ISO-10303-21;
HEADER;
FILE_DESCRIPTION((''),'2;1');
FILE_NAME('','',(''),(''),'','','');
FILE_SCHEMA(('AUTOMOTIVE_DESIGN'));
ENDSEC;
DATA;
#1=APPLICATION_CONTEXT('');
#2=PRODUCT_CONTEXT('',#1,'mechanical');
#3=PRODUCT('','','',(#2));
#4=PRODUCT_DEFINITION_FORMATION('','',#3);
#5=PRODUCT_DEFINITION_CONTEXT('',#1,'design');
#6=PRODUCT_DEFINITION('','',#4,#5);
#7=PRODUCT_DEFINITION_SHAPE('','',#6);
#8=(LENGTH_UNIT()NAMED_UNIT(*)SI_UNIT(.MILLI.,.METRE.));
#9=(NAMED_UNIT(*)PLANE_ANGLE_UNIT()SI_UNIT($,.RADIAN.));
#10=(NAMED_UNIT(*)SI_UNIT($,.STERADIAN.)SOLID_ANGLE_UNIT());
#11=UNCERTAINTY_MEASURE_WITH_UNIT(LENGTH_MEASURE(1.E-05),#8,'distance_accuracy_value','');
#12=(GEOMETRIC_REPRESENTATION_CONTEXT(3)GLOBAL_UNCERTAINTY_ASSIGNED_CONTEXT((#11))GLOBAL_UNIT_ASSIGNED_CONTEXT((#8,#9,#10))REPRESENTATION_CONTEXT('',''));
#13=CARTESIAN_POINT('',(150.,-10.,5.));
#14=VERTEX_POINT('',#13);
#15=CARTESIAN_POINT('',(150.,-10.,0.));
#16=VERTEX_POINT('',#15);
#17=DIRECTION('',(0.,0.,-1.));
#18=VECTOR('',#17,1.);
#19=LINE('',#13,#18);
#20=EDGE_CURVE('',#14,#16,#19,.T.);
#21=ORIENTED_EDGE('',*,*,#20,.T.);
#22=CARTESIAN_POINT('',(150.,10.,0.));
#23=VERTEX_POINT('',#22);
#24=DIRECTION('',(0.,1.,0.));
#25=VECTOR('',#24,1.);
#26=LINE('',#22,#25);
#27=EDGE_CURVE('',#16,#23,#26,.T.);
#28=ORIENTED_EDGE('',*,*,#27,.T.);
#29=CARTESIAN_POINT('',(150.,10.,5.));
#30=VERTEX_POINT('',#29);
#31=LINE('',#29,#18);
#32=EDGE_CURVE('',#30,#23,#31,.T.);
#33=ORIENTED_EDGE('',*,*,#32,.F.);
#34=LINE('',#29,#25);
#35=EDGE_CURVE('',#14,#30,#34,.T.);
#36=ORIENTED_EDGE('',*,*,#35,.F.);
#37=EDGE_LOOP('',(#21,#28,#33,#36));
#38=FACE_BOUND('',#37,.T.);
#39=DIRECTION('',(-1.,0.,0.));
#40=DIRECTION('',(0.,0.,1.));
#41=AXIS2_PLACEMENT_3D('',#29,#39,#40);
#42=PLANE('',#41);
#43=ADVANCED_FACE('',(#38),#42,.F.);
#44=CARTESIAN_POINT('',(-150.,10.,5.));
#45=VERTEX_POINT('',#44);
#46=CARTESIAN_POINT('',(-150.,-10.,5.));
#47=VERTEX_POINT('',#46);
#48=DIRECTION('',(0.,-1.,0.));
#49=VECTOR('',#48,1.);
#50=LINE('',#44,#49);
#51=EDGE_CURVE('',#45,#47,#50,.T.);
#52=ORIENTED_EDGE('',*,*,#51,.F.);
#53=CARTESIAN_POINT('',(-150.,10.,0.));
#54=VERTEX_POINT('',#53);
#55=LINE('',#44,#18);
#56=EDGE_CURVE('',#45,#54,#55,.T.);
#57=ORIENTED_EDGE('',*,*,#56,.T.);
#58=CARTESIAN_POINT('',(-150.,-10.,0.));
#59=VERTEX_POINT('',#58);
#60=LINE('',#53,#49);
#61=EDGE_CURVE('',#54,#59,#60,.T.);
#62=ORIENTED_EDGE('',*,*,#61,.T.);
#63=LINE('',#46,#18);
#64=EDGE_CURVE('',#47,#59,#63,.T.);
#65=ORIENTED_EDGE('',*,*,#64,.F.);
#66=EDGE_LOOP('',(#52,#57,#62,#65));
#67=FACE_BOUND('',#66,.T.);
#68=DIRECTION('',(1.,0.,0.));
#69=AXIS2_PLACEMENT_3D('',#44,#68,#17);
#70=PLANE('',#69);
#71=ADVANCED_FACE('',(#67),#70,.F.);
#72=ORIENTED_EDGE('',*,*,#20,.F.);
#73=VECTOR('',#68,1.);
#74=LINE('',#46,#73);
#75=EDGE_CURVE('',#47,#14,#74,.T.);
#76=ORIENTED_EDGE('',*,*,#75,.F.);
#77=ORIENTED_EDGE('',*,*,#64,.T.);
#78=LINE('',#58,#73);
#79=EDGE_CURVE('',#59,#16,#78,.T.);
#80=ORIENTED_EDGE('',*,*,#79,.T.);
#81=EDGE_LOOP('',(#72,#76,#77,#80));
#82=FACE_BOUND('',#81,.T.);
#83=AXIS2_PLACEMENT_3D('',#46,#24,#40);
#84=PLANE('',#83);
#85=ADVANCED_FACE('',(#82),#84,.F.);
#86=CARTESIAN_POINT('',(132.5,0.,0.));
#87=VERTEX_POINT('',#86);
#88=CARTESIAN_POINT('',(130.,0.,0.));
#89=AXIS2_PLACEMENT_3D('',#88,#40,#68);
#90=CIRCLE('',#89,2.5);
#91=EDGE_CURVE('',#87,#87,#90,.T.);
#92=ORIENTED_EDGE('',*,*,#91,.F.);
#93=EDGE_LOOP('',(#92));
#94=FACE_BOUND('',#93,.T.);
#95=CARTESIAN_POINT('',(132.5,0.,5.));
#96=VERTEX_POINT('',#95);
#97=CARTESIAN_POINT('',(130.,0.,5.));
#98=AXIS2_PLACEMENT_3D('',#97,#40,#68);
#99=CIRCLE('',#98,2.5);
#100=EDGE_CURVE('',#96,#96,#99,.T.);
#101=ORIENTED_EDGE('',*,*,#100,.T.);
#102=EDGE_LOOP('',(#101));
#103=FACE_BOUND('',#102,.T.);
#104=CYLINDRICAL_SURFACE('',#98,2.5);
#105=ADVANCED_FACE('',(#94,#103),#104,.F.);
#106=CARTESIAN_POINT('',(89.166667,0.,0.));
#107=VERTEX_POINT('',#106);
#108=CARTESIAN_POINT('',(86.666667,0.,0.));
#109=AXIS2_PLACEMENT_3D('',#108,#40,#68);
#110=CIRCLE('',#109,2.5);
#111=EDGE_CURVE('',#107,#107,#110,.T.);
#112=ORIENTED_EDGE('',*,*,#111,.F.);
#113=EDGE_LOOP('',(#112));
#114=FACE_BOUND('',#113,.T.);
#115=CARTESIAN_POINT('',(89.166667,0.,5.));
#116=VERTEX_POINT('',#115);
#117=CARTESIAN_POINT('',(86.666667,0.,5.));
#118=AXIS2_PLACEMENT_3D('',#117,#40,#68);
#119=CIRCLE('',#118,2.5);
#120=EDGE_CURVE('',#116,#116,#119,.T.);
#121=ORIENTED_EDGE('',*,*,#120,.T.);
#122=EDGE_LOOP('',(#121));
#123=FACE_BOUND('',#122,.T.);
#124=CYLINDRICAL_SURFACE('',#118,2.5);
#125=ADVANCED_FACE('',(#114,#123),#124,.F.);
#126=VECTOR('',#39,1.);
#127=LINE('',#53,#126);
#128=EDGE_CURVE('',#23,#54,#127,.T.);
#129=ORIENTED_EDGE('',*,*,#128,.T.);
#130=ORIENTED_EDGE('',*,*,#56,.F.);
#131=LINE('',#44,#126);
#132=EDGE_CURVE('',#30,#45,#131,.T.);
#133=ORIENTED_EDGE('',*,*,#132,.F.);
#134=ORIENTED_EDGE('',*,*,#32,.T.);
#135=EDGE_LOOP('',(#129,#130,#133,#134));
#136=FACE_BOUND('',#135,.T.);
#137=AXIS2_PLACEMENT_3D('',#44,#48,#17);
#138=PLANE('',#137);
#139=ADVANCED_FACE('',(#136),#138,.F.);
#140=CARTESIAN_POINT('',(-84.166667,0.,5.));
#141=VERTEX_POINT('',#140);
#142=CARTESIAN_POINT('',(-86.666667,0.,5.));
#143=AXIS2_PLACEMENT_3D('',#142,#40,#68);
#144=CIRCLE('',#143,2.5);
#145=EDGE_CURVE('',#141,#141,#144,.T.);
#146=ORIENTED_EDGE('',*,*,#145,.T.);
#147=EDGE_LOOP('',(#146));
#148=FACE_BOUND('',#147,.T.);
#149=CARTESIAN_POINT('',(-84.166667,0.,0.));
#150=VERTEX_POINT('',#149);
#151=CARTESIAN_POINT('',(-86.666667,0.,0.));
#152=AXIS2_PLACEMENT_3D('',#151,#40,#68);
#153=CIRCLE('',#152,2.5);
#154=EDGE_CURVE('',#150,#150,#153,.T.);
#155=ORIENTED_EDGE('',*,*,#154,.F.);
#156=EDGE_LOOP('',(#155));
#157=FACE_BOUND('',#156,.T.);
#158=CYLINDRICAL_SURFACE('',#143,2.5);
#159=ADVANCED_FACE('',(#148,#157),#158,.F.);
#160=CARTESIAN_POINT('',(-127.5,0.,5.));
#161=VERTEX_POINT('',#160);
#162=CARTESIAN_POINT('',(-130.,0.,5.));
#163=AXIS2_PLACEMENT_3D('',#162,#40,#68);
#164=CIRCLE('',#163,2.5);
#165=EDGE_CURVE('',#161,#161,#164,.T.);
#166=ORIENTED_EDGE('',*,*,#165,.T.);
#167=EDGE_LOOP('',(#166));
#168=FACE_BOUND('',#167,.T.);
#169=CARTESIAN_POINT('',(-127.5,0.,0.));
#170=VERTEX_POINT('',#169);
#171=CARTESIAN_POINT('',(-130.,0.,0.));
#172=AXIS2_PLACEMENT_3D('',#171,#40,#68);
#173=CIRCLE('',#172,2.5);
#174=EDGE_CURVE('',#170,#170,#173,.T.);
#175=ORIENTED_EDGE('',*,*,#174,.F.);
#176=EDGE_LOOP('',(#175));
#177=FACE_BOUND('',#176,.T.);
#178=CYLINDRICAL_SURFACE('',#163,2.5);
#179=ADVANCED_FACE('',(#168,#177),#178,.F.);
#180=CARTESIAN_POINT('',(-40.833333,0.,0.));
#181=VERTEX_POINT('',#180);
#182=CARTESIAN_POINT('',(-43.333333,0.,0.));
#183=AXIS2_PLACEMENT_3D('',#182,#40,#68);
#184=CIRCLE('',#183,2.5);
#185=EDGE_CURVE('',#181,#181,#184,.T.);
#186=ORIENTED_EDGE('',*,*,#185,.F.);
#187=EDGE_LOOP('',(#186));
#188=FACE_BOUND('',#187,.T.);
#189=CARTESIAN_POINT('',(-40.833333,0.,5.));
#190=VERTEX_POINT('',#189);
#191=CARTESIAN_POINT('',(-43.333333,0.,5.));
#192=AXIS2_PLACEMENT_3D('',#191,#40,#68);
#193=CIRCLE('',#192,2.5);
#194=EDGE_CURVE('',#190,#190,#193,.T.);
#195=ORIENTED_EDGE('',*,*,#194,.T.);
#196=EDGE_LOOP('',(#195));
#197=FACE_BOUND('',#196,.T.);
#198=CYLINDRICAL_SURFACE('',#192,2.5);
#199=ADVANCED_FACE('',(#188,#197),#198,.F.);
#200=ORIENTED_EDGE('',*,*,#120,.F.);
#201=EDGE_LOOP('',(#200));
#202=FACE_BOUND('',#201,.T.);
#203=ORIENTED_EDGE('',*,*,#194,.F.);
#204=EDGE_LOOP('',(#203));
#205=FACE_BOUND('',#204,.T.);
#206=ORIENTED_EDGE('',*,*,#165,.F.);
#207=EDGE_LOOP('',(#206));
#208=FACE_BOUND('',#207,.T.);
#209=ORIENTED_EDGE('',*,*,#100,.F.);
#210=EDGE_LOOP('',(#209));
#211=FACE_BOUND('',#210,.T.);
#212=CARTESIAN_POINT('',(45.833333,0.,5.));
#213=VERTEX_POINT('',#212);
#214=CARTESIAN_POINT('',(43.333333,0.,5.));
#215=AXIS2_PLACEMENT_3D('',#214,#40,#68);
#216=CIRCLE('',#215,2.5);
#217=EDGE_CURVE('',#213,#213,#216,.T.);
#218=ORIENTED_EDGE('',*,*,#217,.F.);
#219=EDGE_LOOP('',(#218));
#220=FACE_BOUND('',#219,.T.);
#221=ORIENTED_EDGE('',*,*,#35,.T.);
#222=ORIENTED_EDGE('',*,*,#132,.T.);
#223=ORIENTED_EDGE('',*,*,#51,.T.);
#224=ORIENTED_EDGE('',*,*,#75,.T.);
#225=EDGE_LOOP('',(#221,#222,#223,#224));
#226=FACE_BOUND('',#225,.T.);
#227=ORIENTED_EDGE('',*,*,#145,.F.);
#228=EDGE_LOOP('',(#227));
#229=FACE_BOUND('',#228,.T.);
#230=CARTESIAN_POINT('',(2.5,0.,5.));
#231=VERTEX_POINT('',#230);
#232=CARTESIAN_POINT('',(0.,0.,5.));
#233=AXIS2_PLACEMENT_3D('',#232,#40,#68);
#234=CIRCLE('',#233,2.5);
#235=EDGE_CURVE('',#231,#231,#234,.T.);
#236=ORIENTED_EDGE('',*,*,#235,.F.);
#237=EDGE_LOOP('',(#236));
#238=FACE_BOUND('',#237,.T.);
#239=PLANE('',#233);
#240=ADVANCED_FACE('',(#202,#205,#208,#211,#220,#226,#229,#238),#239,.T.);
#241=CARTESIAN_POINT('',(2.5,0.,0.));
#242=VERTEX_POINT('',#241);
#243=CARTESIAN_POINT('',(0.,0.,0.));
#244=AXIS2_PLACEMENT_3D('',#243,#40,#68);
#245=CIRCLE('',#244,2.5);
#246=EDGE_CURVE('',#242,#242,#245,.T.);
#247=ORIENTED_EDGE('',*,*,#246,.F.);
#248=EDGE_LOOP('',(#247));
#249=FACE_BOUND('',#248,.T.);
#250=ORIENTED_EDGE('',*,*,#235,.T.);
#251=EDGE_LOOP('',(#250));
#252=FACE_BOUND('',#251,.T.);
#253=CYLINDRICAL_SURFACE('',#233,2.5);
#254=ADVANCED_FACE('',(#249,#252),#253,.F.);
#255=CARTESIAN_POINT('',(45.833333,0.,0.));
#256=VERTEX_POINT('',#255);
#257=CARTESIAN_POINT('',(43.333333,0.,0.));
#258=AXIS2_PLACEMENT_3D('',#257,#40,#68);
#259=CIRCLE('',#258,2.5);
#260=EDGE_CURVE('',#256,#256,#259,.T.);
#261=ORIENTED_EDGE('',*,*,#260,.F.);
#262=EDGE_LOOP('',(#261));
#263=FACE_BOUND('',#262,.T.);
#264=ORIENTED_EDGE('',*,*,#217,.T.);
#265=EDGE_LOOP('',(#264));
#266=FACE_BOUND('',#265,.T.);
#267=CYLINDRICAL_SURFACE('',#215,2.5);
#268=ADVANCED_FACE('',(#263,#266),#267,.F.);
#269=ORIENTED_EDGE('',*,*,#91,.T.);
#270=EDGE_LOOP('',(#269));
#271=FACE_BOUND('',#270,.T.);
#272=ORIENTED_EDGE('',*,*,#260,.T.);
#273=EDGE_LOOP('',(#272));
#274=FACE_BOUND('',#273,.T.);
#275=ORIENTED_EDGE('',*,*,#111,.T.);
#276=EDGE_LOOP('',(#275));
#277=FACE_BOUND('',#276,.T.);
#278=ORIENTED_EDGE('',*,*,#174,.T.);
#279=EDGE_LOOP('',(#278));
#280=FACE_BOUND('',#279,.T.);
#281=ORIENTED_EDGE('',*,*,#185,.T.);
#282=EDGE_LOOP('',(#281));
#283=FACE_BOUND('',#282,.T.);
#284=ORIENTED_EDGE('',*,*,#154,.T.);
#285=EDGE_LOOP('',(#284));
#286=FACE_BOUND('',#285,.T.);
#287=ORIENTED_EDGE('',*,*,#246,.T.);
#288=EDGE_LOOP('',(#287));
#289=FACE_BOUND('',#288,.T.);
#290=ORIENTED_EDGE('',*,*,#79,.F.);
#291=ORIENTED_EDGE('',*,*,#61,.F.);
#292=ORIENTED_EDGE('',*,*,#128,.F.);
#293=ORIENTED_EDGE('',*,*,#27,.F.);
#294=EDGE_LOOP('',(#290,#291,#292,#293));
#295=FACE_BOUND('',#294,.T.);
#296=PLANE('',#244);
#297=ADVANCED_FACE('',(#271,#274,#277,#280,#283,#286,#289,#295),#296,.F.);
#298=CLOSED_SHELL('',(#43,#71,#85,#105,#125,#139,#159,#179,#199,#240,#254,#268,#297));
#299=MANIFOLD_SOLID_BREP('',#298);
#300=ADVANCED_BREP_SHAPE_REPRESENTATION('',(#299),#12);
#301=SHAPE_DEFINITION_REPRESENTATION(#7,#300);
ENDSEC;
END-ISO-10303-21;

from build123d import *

# Parameters (mm, degrees)
SKICA1_W                = 300
SKICA1_H                = 20
P_IDAT_VYSUNUT_M1_DEPTH = 5
F_5_0_5_PR_M_R_D_RY1_D  = 5
F_5_0_5_PR_M_R_D_RY2_D  = 5
LINPOLE1_COUNT          = 6
LINPOLE1_PITCH          = 43.333333333


with BuildPart() as part:
    # Skica1 → Přidat vysunutím1 (new body)
    with BuildSketch(Plane.XY):
        Rectangle(SKICA1_W, SKICA1_H)
    extrude(amount=P_IDAT_VYSUNUT_M1_DEPTH)

    # Ø5.0 (5) průměr díry1 (through all)
    with Locations(Plane.XY.offset(5)):
        with Locations((-130, 0)):
            f_5_0_5_pr_m_r_d_ry1 = Hole(F_5_0_5_PR_M_R_D_RY1_D / 2)

    # Ø5.0 (5) průměr díry2 (through all)
    with Locations(Plane.XY.offset(5)):
        with Locations((130, 0)):
            Hole(F_5_0_5_PR_M_R_D_RY2_D / 2)

    # LinPole1: Ø5.0 (5) průměr díry1 ×6
    with Locations(*[(i * LINPOLE1_PITCH, 0, 0) for i in range(1, LINPOLE1_COUNT)]):
        add(f_5_0_5_pr_m_r_d_ry1, mode=Mode.SUBTRACT)


solid = part.part
